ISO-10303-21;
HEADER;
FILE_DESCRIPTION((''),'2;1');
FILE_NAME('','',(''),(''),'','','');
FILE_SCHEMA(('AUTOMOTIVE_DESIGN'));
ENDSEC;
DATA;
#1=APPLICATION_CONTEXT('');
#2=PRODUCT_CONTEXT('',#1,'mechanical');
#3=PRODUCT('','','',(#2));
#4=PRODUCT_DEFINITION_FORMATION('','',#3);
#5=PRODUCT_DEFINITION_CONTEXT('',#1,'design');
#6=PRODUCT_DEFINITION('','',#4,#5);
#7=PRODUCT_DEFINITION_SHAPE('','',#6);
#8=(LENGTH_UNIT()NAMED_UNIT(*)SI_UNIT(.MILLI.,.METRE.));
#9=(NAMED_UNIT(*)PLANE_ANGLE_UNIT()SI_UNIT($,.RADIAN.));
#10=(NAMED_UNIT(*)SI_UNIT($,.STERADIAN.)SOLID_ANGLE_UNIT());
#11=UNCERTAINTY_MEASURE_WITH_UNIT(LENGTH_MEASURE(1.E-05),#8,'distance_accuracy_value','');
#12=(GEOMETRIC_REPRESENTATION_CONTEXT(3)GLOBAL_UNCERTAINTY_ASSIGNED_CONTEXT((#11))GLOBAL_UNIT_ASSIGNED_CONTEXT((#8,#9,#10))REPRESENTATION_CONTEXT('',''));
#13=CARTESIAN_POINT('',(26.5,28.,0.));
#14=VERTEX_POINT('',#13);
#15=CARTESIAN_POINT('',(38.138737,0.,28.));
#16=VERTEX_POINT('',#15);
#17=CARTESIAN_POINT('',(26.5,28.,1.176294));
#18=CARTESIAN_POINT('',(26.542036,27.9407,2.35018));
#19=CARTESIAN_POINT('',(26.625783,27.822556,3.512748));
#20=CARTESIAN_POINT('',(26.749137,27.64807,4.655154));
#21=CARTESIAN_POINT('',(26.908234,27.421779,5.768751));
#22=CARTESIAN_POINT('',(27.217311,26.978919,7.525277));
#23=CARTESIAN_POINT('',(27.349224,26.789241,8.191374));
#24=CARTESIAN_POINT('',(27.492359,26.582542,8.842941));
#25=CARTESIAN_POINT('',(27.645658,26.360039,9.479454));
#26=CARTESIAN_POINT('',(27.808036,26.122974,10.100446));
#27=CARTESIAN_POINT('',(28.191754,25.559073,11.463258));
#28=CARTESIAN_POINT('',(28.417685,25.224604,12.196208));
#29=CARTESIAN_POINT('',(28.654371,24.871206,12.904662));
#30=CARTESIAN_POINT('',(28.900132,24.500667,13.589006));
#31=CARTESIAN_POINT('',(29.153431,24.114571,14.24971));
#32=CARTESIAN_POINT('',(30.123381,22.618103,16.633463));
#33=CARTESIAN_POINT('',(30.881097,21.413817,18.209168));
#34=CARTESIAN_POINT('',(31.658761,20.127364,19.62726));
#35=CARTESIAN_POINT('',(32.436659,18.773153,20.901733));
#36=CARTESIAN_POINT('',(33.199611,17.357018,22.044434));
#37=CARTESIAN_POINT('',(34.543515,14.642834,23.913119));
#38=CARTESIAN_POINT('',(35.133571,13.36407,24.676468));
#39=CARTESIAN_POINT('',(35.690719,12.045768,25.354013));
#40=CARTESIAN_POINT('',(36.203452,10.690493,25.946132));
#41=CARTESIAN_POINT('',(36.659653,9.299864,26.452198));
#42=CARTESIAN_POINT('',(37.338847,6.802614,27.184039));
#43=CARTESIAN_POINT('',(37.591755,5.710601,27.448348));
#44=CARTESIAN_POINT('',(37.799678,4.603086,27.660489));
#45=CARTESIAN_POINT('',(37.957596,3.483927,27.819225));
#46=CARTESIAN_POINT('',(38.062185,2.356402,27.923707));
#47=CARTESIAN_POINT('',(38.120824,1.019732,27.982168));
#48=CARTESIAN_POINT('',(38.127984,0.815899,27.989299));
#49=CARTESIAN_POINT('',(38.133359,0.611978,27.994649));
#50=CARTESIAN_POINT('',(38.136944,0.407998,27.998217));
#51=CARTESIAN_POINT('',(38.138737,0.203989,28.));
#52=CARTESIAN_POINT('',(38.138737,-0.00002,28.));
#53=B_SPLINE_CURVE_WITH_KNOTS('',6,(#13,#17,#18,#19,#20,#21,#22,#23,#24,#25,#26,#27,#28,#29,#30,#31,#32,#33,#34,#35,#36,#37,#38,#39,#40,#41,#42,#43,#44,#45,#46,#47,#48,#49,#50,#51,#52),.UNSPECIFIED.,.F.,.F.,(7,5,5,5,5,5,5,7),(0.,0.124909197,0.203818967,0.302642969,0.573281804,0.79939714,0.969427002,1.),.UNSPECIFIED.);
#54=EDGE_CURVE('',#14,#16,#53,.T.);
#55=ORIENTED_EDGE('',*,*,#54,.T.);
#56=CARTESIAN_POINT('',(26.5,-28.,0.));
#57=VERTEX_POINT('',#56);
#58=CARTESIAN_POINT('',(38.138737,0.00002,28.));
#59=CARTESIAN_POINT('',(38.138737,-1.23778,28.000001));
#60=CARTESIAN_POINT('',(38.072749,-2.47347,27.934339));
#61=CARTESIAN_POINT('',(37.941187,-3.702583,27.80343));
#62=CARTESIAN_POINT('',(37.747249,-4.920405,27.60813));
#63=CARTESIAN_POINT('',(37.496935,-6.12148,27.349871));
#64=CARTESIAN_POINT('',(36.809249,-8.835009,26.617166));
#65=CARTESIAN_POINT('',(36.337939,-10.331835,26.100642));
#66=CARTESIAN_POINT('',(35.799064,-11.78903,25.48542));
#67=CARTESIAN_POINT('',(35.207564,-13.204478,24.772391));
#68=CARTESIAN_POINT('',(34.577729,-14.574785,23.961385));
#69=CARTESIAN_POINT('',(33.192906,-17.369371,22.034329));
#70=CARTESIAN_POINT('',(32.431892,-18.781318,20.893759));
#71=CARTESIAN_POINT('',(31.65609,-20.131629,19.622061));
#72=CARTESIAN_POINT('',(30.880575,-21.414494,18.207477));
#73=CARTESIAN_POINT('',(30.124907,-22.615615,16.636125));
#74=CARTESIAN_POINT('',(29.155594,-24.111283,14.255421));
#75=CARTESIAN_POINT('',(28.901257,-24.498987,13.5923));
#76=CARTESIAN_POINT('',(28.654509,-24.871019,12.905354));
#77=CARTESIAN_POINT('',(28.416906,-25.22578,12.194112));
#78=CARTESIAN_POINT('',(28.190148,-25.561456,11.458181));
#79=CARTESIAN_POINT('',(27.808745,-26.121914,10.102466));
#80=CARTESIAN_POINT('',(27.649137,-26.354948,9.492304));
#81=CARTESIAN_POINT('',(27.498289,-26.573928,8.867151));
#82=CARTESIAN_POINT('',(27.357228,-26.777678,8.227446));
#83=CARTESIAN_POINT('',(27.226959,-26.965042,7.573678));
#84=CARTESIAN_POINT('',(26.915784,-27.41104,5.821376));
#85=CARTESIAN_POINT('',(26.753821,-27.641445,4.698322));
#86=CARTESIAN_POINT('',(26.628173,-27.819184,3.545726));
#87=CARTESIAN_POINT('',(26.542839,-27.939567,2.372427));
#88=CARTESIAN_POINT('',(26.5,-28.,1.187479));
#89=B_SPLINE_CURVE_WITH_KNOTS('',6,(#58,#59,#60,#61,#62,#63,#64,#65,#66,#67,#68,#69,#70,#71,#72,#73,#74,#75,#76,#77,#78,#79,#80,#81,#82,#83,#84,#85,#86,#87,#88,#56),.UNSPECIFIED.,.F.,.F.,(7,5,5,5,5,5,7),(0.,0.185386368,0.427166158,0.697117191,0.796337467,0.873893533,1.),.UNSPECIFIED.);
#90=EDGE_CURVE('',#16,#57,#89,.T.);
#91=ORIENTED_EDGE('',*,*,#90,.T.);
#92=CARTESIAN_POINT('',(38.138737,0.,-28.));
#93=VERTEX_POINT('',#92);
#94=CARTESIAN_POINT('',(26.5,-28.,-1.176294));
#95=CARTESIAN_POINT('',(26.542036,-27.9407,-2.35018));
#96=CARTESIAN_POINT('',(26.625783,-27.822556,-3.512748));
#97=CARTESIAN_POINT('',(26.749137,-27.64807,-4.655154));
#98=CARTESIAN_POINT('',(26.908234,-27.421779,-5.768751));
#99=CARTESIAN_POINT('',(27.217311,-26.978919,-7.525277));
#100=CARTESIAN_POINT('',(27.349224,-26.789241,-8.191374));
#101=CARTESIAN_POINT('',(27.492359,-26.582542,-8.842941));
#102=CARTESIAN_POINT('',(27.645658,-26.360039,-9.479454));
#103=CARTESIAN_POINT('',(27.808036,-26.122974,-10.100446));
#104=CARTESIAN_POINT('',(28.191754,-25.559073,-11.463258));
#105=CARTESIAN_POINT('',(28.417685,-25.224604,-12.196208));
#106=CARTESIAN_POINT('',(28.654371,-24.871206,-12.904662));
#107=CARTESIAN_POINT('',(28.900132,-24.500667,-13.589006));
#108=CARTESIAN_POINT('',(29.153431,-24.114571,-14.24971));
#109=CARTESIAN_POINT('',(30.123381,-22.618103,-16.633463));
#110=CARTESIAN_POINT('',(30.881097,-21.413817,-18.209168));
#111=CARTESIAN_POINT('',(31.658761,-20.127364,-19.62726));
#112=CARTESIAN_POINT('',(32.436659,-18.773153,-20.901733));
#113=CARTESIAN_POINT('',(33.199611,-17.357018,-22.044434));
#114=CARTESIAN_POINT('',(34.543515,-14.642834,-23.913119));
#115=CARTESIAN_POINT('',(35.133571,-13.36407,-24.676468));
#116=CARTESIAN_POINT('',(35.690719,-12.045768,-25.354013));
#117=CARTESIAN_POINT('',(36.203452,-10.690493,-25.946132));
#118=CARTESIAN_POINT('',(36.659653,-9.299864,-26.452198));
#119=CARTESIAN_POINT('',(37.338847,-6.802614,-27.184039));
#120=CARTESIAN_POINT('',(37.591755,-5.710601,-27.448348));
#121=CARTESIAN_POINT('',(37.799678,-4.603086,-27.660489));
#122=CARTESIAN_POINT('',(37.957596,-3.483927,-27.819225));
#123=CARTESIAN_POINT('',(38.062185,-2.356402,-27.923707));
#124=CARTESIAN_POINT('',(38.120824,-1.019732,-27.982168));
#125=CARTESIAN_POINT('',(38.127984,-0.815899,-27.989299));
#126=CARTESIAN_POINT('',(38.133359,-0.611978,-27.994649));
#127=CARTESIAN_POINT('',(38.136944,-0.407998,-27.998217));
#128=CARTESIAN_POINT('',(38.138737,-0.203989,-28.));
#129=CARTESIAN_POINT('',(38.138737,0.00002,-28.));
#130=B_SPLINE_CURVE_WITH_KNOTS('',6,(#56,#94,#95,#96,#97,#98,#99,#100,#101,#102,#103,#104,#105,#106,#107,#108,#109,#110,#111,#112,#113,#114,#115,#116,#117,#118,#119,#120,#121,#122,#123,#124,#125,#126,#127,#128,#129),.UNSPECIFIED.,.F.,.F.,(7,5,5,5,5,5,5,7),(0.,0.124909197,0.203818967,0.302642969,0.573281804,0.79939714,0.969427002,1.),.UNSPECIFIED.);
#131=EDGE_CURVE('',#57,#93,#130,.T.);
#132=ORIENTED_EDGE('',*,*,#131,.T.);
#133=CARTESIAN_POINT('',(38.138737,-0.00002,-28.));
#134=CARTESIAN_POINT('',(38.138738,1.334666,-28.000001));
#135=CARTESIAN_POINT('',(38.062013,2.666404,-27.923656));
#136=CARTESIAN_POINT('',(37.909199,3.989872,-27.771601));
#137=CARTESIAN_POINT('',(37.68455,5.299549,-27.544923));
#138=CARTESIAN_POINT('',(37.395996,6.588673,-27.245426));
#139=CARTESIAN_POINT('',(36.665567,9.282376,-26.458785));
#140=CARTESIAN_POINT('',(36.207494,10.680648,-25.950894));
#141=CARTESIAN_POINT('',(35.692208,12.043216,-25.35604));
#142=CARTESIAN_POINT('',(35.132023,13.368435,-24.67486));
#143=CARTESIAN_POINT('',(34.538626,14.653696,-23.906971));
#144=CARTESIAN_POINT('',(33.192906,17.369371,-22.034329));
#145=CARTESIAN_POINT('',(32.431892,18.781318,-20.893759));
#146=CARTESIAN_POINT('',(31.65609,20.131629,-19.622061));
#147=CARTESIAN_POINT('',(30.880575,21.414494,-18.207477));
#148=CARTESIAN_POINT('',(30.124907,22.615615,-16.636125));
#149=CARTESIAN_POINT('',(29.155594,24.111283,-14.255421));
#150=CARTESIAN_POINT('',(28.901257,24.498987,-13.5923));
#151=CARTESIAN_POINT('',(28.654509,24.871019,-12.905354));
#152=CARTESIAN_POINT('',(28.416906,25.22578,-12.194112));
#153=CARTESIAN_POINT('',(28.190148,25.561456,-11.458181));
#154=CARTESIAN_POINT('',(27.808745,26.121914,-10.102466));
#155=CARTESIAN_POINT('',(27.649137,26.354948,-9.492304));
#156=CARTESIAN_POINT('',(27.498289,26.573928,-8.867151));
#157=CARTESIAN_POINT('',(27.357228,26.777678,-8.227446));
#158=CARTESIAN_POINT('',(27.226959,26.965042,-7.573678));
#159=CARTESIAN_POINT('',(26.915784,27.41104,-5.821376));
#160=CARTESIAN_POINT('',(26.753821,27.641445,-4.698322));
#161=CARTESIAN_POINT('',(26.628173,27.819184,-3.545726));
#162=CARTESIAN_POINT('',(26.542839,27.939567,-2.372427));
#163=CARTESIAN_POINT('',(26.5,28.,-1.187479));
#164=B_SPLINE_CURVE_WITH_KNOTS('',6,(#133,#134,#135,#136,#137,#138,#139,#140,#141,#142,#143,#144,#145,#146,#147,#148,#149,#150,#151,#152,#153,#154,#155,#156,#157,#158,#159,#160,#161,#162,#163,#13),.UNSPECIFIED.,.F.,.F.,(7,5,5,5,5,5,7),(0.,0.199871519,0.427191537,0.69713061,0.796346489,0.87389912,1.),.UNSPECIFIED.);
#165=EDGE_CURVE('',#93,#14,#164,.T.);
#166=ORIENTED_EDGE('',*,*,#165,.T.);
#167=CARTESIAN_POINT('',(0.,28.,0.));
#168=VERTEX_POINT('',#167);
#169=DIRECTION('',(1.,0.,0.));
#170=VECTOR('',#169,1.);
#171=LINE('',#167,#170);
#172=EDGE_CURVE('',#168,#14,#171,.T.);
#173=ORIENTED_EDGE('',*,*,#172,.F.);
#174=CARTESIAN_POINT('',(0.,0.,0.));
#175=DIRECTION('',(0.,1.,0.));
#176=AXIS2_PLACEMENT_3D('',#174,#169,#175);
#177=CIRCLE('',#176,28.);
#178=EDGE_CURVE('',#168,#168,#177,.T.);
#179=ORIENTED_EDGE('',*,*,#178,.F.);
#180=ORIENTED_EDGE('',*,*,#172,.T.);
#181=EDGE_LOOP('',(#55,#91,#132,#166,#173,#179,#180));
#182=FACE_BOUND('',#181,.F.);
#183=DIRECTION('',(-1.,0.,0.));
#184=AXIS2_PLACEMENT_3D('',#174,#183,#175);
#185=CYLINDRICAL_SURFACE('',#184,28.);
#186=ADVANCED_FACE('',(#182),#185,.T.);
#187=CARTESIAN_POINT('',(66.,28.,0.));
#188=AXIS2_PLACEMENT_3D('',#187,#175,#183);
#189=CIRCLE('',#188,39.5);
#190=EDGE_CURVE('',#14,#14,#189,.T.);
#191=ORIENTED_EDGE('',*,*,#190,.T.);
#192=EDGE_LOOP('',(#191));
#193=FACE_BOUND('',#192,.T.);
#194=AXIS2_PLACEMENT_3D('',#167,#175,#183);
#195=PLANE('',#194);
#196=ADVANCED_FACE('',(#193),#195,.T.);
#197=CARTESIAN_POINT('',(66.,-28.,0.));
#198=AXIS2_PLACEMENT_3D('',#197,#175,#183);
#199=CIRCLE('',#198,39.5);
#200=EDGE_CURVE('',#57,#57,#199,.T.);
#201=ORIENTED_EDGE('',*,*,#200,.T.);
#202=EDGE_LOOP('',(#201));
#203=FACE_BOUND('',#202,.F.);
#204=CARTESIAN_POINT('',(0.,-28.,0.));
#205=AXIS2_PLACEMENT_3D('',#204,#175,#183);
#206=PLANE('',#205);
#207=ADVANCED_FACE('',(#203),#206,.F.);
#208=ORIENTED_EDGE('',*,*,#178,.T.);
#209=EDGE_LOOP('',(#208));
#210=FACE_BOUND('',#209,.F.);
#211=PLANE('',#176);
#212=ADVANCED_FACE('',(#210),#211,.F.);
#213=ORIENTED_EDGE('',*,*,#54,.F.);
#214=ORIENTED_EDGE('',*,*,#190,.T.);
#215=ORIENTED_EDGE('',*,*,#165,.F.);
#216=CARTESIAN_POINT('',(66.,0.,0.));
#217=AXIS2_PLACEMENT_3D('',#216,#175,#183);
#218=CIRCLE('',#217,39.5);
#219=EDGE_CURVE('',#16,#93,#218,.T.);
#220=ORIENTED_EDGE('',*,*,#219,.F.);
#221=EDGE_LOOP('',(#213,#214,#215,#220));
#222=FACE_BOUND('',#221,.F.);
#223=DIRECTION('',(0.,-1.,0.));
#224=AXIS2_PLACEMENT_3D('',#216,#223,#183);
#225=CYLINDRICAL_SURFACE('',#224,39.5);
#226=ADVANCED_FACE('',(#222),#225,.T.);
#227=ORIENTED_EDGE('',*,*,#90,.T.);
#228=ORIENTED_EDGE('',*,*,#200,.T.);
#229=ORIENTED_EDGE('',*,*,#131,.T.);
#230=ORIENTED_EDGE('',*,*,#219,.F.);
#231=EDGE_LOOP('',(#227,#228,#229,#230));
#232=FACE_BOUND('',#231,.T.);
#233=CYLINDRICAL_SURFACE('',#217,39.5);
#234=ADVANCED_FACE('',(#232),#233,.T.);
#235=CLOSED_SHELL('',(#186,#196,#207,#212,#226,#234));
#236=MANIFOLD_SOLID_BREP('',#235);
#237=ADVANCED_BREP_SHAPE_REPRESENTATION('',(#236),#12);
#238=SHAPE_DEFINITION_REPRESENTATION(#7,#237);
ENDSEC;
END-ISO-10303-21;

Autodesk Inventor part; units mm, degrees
ref_plane "YZ Plane" through (0, 0, 0) normal (1, 0, 0) x (0, 1, 0)
ref_plane "XZ Plane" through (0, 0, 0) normal (0, 1, 0) x (-1, 0, 0)
ref_plane "XY Plane" through (0, 0, 0) normal (0, 0, 1) x (1, 0, 0)
sketch "Sketch1" plane through (0, 0, 0) normal (1, 0, 0) x (0, 1, 0)
  circle A0 centre (0, 0) radius 28
  dimension "d0" = 56
extrude "Extrusion1" add sketch "Sketch1" along normal blind 66
sketch "Sketch2" plane through (0, 0, 0) normal (0, 1, 0) x (-1, 0, 0)
  line L0 (-66, 28) -> (-66, -28) projected
  circle A0 centre (-66, 0) radius 39.5
  point P0 (0, 0)
  dimension "d3" = 79
extrude "Extrusion2" add sketch "Sketch2" along normal mid plane 56
sketch "Sketch3" plane through (0, 0, 0) normal (0, 1, 0) x (-1, 0, 0)
  circle A0 centre (-66, 0) radius 39.5 projected
  circle A1 centre (-66, 0) radius 31.5
  circle A2 centre (-66, 0) radius 39.5
  point P0 (0, 0)
  point P1 (-26.5, 0)
  dimension "d12" = 79
  dimension "d13" = 63
properties part number "hip_inventor"
